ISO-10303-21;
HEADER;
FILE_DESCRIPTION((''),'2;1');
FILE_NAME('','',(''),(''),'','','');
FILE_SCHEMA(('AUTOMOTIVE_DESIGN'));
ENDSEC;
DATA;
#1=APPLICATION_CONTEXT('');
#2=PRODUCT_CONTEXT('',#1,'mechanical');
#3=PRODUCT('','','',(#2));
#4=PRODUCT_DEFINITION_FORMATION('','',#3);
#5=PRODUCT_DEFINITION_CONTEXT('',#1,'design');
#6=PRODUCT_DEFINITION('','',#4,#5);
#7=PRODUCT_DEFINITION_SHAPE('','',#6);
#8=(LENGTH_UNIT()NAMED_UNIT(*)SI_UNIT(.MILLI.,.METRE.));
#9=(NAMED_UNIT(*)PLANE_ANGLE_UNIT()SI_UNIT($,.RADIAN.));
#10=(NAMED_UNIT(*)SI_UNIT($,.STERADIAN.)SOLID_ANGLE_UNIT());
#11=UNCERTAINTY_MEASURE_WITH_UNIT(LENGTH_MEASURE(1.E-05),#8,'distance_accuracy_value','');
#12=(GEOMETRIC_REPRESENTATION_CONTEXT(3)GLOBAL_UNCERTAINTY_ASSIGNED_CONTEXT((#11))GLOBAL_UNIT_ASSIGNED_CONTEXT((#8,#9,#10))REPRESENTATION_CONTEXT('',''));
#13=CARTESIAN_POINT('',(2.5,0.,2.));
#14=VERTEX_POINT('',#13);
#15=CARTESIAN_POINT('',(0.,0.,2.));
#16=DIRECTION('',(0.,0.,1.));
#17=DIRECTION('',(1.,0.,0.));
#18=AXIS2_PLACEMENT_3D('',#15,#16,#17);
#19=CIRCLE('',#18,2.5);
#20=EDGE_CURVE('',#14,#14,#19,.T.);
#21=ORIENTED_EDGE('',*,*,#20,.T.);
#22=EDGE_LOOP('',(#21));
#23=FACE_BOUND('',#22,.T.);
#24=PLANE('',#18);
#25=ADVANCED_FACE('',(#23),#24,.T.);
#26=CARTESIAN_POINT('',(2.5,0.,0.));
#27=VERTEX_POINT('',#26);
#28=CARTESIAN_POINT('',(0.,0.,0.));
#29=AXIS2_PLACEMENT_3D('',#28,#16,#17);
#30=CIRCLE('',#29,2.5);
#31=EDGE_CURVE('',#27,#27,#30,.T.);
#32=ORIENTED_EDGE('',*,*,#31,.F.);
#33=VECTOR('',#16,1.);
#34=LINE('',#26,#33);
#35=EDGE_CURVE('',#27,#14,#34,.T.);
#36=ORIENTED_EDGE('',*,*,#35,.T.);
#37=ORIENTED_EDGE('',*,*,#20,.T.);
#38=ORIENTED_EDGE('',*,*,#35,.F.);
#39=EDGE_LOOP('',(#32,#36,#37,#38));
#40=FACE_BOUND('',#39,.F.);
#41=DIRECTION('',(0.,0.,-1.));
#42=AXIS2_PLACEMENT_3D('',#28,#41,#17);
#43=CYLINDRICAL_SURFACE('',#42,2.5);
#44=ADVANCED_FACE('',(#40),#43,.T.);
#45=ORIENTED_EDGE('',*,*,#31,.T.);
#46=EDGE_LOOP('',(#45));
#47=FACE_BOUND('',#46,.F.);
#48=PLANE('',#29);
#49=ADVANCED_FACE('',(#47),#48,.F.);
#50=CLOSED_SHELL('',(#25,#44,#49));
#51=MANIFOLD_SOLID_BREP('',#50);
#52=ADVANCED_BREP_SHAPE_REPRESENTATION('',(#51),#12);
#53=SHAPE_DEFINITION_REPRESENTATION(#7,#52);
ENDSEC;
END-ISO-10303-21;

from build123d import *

# Parameters (mm, degrees)
SKIZZE1_R                       = 2.5
AUFSATZ_LINEAR_AUSTRAGEN1_DEPTH = 2


with BuildPart() as part:
    # Skizze1 → Aufsatz-Linear austragen1 (new body)
    with BuildSketch(Plane.XY):
        Circle(SKIZZE1_R)
    extrude(amount=AUFSATZ_LINEAR_AUSTRAGEN1_DEPTH)


solid = part.part
